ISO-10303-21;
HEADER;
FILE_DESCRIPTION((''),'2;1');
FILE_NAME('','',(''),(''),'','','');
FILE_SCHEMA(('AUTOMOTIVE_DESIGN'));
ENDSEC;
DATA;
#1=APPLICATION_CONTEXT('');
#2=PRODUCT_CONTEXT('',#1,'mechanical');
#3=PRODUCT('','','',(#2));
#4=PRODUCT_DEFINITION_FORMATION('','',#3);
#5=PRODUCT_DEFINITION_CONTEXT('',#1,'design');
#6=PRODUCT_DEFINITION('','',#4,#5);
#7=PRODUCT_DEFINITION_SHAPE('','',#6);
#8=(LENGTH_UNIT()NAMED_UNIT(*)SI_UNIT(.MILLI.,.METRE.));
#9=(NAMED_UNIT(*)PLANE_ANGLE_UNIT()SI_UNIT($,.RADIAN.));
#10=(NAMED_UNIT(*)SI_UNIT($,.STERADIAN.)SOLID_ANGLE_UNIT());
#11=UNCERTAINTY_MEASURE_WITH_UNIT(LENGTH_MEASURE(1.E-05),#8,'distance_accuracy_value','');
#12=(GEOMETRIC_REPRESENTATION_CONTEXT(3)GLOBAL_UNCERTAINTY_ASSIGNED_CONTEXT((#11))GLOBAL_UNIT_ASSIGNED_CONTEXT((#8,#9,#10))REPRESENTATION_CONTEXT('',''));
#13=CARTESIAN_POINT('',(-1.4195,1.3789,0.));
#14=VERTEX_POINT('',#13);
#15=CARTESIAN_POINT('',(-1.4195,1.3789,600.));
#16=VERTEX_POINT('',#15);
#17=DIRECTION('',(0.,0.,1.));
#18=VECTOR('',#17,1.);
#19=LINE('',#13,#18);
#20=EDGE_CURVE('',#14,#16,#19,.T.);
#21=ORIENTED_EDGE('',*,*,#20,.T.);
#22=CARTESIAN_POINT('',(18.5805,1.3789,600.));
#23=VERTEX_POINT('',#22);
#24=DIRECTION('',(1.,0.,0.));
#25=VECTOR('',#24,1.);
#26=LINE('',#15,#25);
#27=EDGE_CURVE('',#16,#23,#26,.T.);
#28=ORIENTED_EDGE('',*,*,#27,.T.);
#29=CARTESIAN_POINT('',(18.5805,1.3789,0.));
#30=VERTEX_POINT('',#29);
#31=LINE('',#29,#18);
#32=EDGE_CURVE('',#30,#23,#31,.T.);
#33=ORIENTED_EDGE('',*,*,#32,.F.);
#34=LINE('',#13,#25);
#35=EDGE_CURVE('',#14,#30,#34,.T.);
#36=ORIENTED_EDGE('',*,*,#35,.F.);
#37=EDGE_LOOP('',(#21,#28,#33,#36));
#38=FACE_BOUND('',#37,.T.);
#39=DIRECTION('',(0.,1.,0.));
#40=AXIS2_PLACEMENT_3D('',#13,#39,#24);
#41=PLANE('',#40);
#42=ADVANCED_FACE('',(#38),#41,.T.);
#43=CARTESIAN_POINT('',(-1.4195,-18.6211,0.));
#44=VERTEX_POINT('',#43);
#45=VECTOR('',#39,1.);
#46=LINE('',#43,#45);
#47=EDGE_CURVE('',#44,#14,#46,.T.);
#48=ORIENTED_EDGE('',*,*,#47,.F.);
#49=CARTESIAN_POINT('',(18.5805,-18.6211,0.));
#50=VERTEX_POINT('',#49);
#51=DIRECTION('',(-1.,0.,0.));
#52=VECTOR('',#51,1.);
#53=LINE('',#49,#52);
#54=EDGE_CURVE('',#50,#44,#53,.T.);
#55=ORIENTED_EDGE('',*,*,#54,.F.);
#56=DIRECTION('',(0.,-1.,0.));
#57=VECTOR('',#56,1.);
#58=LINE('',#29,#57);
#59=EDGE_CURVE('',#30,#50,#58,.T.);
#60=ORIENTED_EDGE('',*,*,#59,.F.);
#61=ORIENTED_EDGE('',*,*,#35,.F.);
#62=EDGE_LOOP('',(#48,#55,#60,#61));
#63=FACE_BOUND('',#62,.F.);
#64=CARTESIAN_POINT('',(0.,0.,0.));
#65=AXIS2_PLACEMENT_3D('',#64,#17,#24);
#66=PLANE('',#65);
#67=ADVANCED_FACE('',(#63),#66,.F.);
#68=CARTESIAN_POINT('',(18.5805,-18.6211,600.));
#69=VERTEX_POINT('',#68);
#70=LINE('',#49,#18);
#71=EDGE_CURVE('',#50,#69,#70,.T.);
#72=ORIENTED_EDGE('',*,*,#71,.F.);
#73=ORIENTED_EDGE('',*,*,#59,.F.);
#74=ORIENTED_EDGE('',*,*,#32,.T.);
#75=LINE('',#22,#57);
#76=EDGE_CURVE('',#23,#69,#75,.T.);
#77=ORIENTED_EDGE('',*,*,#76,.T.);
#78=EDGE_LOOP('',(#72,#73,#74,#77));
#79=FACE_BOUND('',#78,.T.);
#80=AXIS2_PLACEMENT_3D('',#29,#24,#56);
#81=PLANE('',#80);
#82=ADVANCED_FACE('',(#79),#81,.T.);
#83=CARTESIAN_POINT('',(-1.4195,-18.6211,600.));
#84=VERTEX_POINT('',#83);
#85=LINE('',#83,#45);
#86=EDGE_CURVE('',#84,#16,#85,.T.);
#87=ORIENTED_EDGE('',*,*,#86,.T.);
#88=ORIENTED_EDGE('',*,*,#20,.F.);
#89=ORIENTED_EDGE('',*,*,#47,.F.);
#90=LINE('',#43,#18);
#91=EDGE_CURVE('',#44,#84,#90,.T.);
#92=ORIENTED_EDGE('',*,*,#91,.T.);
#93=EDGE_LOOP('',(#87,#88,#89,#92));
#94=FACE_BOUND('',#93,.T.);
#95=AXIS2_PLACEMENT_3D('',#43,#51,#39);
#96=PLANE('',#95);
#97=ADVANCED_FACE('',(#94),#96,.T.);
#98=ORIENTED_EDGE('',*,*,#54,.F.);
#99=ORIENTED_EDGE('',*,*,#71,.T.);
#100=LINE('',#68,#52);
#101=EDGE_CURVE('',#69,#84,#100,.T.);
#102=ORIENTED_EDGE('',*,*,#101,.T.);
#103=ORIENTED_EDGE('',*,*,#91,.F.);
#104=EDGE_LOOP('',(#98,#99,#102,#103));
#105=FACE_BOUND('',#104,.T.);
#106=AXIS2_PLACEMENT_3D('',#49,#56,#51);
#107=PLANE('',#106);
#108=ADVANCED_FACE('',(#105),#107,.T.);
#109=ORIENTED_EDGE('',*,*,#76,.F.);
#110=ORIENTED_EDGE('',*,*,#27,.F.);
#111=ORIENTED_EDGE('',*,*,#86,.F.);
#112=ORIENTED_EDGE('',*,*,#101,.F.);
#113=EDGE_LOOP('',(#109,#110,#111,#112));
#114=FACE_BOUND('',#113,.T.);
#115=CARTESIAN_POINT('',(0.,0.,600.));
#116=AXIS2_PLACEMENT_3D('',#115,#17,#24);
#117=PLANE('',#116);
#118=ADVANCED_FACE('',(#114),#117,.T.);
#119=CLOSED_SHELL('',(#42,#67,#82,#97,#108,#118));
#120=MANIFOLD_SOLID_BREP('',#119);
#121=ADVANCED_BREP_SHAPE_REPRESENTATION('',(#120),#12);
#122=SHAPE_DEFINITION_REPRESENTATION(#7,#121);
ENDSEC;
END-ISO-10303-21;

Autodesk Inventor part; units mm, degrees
ref_plane "YZ Plane" through (0, 0, 0) normal (1, 0, 0) x (0, 1, 0)
ref_plane "XZ Plane" through (0, 0, 0) normal (0, 1, 0) x (-1, 0, 0)
ref_plane "XY Plane" through (0, 0, 0) normal (0, 0, 1) x (1, 0, 0)
sketch "スケッチ1" plane through (0, 0, 0) normal (1, 0, 0) x (0, 1, 0)
  point P0 (0, 0)
sketch "スケッチ2" plane through (0, 0, 0) normal (0, 0, 1) x (1, 0, 0)
  line L0 (-1.4195, 1.3789) -> (18.5805, 1.3789)
  line L1 (18.5805, 1.3789) -> (18.5805, -18.6211)
  line L2 (18.5805, -18.6211) -> (-1.4195, -18.6211)
  line L3 (-1.4195, -18.6211) -> (-1.4195, 1.3789)
  point P0 (0, 0)
  dimension "d0" = 20
  dimension "d1" = 20
extrude "押し出し1" add sketch "スケッチ2" along normal blind 600
equation "\"BendRadius\" = Thickness"
equation "\"BendReliefWidth\" = Thickness"
equation "\"BendReliefDepth\" = 0.5 * Thickness"
equation "\"CornerReliefSize\" = 4 * Thickness"
equation "\"MinimumRemnant\" = 2 * Thickness"
equation "\"TransitionRadius\" = BendRadius"
equation "\"JacobiRadiusSize\" = BendRadius"
equation "\"GapSize\" = Thickness"
equation "\"Thickness\" = 0.5"
